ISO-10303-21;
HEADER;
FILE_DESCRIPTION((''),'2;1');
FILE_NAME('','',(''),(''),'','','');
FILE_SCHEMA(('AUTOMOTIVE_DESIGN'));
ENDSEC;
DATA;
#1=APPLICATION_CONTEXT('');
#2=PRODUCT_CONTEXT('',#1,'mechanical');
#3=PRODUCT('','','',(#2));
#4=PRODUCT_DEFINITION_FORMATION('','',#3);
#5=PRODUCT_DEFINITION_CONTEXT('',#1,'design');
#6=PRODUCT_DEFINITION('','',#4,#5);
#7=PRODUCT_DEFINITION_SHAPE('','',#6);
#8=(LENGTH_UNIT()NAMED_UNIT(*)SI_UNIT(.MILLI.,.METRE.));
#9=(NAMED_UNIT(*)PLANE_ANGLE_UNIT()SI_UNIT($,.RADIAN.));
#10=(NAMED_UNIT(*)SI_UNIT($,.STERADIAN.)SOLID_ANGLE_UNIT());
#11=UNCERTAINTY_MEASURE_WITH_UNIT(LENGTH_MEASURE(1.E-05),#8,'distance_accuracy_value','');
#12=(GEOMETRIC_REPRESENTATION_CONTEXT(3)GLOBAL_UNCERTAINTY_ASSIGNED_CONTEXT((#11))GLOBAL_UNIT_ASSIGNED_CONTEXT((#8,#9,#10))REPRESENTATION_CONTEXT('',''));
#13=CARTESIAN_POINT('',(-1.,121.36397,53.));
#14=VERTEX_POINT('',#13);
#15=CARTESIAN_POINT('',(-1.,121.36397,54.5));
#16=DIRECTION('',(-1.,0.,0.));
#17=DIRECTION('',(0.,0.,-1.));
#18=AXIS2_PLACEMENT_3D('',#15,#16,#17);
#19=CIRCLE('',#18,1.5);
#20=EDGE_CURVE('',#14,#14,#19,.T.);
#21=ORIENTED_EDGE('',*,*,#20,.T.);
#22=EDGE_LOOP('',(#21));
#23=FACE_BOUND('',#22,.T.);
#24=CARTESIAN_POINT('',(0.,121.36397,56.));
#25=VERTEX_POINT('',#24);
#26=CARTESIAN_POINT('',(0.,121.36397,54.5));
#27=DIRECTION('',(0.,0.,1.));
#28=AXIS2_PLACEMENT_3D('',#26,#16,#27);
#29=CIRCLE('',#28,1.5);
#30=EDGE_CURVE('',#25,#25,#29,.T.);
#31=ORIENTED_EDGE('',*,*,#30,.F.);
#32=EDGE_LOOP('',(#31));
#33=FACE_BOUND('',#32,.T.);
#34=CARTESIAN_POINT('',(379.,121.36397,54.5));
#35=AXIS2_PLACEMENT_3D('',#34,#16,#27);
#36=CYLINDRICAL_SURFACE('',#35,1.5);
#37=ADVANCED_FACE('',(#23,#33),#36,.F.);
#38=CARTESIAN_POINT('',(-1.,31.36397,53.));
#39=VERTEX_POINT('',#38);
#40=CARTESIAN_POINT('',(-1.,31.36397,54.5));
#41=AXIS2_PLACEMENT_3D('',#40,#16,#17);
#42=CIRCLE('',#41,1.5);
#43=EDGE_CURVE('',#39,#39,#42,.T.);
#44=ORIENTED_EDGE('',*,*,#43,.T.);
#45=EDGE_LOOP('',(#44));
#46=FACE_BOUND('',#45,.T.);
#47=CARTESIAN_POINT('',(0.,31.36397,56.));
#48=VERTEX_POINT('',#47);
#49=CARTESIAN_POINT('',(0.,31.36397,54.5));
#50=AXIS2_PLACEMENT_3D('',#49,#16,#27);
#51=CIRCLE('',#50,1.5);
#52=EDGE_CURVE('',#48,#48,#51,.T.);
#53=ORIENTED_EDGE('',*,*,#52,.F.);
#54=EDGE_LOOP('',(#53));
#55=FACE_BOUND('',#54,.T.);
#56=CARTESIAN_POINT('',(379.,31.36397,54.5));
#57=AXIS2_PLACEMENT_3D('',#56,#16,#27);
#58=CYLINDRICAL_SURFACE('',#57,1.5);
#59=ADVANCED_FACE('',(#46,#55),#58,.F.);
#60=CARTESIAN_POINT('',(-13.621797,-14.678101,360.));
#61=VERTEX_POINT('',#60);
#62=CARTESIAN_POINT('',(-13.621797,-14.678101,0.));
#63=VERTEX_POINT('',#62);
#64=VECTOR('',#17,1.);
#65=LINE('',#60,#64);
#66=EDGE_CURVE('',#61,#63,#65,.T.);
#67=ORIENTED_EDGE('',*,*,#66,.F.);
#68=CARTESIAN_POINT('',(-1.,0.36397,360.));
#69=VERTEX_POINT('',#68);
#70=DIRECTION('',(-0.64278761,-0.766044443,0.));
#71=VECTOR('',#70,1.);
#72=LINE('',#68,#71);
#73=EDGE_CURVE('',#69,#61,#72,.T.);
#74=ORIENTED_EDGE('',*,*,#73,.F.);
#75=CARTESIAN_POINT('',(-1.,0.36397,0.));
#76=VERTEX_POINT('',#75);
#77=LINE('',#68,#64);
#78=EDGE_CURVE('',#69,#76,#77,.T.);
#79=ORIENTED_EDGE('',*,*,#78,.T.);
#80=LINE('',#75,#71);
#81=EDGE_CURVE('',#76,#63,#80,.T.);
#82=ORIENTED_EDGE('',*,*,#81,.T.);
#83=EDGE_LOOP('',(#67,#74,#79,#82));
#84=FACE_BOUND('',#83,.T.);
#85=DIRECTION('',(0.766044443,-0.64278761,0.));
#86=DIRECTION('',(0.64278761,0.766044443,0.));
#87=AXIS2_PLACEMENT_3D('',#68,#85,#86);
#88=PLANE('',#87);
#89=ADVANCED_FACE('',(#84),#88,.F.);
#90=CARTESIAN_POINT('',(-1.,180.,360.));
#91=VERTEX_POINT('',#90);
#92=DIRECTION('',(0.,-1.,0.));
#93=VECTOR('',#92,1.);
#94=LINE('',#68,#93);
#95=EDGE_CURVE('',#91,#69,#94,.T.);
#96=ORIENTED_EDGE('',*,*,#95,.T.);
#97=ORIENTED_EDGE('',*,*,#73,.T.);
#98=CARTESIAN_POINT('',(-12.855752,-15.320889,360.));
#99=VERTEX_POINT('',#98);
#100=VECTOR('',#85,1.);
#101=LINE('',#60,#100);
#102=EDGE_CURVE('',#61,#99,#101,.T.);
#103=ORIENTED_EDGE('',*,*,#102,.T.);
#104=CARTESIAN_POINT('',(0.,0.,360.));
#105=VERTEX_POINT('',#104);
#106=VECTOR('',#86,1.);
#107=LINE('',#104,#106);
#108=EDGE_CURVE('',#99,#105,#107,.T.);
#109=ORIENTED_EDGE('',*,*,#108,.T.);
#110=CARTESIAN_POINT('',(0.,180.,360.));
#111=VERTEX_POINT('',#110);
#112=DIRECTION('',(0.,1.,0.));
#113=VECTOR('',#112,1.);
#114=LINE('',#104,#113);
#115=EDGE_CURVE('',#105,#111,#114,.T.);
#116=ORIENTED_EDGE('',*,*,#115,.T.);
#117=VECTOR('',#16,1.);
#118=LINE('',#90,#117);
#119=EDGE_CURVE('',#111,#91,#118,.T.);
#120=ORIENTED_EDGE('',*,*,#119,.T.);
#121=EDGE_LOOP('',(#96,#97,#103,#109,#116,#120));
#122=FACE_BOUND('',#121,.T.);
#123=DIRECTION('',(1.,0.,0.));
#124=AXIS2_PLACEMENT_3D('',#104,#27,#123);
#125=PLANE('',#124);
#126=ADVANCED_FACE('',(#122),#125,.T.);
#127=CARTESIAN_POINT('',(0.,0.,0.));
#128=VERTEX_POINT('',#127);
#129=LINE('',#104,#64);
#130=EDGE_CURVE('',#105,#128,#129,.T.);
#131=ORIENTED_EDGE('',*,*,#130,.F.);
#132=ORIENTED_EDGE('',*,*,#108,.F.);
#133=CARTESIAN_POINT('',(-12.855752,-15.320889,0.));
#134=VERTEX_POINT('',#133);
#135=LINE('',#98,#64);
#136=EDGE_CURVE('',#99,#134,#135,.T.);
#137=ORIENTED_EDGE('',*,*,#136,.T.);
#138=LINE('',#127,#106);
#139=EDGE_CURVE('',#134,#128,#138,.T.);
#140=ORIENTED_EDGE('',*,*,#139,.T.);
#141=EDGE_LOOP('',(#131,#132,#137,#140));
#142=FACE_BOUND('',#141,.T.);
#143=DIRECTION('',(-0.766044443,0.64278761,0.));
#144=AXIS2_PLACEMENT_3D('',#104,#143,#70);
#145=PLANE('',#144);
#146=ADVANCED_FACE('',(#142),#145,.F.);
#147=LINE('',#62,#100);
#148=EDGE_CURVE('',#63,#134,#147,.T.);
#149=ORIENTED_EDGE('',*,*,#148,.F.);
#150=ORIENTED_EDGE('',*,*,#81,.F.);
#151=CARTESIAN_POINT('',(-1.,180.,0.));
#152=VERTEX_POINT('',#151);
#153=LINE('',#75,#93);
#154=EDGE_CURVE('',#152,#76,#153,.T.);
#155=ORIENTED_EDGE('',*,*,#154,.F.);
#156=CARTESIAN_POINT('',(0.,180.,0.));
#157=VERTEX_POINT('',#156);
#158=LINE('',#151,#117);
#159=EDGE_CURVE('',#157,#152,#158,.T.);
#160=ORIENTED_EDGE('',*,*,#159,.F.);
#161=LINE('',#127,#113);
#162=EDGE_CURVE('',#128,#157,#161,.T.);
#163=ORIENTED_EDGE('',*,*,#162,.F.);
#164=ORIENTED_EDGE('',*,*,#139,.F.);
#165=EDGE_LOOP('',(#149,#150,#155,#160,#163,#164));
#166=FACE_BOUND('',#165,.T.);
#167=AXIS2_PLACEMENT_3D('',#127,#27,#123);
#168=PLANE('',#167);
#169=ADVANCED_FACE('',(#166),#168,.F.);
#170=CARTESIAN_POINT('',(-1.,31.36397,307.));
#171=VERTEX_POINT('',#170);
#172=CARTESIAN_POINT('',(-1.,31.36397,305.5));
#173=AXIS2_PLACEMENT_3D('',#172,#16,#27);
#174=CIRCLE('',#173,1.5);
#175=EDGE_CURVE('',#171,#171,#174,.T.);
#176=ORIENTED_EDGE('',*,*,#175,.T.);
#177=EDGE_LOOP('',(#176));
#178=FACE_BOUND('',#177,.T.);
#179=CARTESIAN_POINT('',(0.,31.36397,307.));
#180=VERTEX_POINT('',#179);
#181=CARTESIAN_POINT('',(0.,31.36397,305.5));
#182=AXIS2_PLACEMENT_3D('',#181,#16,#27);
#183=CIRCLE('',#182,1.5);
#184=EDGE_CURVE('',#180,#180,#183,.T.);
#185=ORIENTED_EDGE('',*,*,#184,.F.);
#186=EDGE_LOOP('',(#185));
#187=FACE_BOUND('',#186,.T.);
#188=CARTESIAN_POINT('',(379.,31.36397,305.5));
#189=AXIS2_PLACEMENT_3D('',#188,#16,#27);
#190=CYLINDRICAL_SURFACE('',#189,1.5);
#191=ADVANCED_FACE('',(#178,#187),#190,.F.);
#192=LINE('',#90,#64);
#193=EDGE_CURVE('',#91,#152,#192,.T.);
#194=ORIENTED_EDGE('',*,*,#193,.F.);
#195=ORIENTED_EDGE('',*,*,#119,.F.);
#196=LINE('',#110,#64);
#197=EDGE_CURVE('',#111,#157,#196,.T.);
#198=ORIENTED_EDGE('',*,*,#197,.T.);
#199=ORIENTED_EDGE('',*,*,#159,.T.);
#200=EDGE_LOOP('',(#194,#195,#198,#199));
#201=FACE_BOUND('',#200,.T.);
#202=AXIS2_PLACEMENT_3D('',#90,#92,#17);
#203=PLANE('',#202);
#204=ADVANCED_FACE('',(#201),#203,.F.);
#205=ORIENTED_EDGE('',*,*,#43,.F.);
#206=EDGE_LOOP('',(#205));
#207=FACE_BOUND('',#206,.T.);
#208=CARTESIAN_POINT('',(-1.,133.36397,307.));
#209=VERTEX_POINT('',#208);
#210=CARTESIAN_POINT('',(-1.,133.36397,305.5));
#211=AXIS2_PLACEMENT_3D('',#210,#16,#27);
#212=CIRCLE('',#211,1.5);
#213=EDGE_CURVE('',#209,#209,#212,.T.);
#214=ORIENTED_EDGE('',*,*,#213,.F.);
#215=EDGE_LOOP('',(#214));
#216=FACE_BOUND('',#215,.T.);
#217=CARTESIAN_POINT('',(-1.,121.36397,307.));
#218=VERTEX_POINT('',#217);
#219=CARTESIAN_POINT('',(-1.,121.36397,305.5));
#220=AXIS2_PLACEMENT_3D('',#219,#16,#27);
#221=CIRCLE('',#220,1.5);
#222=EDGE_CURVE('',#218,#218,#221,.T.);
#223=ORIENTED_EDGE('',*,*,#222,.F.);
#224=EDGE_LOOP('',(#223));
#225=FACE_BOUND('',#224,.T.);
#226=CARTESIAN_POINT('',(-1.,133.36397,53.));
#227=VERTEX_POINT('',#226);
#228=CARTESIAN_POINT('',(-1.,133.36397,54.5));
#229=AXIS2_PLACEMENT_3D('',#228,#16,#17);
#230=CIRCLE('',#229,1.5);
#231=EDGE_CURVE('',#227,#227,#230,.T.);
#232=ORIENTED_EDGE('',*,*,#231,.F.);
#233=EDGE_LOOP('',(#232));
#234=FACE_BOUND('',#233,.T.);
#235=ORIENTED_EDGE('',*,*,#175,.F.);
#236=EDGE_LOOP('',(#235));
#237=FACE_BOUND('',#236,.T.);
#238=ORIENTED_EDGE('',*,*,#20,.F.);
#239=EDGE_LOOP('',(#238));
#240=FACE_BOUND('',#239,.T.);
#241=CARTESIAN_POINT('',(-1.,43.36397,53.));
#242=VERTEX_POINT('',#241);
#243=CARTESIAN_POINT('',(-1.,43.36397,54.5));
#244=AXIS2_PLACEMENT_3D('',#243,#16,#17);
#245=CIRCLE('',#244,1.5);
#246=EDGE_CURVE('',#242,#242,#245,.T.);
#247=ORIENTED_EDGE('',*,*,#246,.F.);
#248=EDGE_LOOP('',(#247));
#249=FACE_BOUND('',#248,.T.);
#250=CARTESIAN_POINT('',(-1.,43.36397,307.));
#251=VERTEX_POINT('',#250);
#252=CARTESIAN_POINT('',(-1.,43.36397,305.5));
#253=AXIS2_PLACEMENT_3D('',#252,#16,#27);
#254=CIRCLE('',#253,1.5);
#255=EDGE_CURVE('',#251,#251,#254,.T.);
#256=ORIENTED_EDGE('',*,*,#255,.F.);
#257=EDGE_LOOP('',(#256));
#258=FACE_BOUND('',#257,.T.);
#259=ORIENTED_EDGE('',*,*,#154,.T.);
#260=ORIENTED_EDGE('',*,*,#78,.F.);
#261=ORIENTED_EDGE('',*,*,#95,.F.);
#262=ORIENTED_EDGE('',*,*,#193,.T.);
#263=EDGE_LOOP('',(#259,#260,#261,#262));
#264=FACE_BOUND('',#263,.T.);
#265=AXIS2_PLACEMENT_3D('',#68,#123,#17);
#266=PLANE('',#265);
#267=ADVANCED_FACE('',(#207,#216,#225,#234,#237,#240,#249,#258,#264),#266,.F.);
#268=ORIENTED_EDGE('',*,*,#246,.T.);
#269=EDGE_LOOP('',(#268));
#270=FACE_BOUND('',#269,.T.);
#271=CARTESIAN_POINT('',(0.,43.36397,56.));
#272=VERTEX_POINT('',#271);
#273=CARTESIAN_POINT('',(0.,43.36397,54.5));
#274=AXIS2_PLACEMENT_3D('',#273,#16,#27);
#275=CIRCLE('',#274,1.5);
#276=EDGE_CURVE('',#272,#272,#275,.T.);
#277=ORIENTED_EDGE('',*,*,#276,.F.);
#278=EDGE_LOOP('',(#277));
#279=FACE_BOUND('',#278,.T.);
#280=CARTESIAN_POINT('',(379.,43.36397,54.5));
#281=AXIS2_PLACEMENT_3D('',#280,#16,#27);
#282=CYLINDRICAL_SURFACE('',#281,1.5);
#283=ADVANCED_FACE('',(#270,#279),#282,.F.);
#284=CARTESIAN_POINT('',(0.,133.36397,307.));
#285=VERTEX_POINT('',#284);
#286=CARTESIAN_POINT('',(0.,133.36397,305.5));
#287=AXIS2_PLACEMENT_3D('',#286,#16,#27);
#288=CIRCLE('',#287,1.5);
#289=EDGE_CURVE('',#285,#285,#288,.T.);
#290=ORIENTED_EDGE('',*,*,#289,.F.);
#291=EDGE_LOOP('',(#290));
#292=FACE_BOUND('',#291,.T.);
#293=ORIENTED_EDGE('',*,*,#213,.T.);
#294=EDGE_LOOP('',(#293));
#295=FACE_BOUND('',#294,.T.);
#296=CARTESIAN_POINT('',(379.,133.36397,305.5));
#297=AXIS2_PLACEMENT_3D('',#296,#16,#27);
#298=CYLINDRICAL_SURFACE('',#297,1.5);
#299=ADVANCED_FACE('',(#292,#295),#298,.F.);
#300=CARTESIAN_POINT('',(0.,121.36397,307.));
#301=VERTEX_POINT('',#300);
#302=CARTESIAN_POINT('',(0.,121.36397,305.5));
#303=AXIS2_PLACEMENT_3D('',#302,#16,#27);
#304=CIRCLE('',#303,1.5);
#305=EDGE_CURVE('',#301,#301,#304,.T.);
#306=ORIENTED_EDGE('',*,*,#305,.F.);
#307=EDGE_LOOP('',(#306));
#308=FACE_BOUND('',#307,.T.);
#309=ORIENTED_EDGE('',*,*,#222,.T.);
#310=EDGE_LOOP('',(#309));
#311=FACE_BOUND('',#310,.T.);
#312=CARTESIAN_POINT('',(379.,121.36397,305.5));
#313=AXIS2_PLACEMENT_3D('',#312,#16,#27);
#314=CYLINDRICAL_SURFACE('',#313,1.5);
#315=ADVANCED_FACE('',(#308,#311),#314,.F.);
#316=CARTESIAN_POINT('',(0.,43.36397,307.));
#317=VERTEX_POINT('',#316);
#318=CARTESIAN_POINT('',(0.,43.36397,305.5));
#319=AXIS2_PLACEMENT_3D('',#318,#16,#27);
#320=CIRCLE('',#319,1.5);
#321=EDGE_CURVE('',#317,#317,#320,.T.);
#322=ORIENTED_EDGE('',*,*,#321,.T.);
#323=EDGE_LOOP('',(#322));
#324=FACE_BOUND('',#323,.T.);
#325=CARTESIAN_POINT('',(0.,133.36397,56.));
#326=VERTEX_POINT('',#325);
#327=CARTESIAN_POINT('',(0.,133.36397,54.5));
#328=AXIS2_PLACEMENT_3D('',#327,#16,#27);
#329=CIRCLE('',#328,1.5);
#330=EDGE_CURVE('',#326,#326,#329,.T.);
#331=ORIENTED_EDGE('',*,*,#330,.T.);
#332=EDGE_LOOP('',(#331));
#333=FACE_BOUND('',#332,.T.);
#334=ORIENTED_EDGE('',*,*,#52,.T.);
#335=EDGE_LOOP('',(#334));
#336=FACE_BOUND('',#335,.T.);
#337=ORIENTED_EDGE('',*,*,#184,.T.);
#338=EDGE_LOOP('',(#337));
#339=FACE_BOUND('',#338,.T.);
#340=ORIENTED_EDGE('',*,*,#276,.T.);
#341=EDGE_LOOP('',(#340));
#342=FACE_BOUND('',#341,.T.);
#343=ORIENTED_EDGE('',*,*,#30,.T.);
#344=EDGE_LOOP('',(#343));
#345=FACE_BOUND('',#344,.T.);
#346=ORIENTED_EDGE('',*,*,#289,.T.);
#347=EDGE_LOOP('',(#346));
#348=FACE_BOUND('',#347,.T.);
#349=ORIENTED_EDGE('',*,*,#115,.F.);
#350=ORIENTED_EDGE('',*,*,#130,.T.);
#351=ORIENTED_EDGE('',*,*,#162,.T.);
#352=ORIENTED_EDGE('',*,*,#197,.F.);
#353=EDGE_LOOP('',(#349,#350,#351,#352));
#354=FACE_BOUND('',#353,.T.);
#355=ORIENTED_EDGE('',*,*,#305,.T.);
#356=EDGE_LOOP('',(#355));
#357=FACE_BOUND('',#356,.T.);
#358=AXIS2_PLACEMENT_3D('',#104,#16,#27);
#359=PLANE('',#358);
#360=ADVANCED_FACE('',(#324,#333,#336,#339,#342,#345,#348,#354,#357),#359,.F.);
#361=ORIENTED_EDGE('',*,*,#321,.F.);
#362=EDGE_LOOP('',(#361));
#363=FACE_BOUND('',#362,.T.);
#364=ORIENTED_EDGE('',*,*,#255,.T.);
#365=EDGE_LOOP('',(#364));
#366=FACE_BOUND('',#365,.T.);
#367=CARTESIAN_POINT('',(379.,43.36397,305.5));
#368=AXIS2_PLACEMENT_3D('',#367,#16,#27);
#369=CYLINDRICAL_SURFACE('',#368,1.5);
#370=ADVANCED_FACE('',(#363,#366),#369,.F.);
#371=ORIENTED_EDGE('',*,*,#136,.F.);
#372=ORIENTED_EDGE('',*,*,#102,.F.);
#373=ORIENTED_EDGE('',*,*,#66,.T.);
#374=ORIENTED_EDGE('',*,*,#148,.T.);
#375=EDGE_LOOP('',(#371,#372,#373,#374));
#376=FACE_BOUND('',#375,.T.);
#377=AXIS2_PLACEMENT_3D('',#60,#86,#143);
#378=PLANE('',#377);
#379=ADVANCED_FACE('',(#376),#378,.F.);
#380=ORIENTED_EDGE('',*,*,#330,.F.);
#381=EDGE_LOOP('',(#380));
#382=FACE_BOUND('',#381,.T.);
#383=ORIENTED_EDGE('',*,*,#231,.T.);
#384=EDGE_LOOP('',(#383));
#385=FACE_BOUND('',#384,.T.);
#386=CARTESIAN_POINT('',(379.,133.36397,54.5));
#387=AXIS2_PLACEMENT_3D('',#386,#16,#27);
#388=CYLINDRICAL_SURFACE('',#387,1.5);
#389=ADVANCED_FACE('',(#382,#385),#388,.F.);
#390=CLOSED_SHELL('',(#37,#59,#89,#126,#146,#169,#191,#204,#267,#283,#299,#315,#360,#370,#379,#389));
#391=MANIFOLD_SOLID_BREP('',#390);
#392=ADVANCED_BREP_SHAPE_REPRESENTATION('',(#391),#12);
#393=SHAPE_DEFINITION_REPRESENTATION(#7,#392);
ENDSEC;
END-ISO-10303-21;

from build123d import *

# Parameters (mm, degrees)
EXTRUDE_1_DEPTH     = 360
SKETCH_2_R          = 1.5
CUT_EXTRUDE_1_DEPTH = 380


with BuildPart() as part:
    # 草图1 → 凸台-拉伸1 (new body)
    with BuildSketch(Plane.XY):
        Polygon((0, 0), (0, 180), (-1, 180), (-1, 0.363970234), (-13.621796637, -14.678101253), (-12.855752194, -15.320888862), align=None)
    extrude(amount=EXTRUDE_1_DEPTH)

    # 草图2 → 切除-拉伸1 (cut)
    with BuildSketch(Plane.ZY.offset(1)):
        with Locations((305.5, 31.363970234)):
            Circle(SKETCH_2_R)
        with Locations((305.5, 43.363970234)):
            Circle(SKETCH_2_R)
        with Locations((305.5, 121.363970234)):
            Circle(SKETCH_2_R)
        with Locations((305.5, 133.363970234)):
            Circle(SKETCH_2_R)
        with Locations((54.5, 121.363970234)):
            Circle(SKETCH_2_R)
        with Locations((54.5, 31.363970234)):
            Circle(SKETCH_2_R)
        with Locations((54.5, 43.363970234)):
            Circle(SKETCH_2_R)
        with Locations((54.5, 133.363970234)):
            Circle(SKETCH_2_R)
    extrude(amount=-CUT_EXTRUDE_1_DEPTH, mode=Mode.SUBTRACT)


solid = part.part
